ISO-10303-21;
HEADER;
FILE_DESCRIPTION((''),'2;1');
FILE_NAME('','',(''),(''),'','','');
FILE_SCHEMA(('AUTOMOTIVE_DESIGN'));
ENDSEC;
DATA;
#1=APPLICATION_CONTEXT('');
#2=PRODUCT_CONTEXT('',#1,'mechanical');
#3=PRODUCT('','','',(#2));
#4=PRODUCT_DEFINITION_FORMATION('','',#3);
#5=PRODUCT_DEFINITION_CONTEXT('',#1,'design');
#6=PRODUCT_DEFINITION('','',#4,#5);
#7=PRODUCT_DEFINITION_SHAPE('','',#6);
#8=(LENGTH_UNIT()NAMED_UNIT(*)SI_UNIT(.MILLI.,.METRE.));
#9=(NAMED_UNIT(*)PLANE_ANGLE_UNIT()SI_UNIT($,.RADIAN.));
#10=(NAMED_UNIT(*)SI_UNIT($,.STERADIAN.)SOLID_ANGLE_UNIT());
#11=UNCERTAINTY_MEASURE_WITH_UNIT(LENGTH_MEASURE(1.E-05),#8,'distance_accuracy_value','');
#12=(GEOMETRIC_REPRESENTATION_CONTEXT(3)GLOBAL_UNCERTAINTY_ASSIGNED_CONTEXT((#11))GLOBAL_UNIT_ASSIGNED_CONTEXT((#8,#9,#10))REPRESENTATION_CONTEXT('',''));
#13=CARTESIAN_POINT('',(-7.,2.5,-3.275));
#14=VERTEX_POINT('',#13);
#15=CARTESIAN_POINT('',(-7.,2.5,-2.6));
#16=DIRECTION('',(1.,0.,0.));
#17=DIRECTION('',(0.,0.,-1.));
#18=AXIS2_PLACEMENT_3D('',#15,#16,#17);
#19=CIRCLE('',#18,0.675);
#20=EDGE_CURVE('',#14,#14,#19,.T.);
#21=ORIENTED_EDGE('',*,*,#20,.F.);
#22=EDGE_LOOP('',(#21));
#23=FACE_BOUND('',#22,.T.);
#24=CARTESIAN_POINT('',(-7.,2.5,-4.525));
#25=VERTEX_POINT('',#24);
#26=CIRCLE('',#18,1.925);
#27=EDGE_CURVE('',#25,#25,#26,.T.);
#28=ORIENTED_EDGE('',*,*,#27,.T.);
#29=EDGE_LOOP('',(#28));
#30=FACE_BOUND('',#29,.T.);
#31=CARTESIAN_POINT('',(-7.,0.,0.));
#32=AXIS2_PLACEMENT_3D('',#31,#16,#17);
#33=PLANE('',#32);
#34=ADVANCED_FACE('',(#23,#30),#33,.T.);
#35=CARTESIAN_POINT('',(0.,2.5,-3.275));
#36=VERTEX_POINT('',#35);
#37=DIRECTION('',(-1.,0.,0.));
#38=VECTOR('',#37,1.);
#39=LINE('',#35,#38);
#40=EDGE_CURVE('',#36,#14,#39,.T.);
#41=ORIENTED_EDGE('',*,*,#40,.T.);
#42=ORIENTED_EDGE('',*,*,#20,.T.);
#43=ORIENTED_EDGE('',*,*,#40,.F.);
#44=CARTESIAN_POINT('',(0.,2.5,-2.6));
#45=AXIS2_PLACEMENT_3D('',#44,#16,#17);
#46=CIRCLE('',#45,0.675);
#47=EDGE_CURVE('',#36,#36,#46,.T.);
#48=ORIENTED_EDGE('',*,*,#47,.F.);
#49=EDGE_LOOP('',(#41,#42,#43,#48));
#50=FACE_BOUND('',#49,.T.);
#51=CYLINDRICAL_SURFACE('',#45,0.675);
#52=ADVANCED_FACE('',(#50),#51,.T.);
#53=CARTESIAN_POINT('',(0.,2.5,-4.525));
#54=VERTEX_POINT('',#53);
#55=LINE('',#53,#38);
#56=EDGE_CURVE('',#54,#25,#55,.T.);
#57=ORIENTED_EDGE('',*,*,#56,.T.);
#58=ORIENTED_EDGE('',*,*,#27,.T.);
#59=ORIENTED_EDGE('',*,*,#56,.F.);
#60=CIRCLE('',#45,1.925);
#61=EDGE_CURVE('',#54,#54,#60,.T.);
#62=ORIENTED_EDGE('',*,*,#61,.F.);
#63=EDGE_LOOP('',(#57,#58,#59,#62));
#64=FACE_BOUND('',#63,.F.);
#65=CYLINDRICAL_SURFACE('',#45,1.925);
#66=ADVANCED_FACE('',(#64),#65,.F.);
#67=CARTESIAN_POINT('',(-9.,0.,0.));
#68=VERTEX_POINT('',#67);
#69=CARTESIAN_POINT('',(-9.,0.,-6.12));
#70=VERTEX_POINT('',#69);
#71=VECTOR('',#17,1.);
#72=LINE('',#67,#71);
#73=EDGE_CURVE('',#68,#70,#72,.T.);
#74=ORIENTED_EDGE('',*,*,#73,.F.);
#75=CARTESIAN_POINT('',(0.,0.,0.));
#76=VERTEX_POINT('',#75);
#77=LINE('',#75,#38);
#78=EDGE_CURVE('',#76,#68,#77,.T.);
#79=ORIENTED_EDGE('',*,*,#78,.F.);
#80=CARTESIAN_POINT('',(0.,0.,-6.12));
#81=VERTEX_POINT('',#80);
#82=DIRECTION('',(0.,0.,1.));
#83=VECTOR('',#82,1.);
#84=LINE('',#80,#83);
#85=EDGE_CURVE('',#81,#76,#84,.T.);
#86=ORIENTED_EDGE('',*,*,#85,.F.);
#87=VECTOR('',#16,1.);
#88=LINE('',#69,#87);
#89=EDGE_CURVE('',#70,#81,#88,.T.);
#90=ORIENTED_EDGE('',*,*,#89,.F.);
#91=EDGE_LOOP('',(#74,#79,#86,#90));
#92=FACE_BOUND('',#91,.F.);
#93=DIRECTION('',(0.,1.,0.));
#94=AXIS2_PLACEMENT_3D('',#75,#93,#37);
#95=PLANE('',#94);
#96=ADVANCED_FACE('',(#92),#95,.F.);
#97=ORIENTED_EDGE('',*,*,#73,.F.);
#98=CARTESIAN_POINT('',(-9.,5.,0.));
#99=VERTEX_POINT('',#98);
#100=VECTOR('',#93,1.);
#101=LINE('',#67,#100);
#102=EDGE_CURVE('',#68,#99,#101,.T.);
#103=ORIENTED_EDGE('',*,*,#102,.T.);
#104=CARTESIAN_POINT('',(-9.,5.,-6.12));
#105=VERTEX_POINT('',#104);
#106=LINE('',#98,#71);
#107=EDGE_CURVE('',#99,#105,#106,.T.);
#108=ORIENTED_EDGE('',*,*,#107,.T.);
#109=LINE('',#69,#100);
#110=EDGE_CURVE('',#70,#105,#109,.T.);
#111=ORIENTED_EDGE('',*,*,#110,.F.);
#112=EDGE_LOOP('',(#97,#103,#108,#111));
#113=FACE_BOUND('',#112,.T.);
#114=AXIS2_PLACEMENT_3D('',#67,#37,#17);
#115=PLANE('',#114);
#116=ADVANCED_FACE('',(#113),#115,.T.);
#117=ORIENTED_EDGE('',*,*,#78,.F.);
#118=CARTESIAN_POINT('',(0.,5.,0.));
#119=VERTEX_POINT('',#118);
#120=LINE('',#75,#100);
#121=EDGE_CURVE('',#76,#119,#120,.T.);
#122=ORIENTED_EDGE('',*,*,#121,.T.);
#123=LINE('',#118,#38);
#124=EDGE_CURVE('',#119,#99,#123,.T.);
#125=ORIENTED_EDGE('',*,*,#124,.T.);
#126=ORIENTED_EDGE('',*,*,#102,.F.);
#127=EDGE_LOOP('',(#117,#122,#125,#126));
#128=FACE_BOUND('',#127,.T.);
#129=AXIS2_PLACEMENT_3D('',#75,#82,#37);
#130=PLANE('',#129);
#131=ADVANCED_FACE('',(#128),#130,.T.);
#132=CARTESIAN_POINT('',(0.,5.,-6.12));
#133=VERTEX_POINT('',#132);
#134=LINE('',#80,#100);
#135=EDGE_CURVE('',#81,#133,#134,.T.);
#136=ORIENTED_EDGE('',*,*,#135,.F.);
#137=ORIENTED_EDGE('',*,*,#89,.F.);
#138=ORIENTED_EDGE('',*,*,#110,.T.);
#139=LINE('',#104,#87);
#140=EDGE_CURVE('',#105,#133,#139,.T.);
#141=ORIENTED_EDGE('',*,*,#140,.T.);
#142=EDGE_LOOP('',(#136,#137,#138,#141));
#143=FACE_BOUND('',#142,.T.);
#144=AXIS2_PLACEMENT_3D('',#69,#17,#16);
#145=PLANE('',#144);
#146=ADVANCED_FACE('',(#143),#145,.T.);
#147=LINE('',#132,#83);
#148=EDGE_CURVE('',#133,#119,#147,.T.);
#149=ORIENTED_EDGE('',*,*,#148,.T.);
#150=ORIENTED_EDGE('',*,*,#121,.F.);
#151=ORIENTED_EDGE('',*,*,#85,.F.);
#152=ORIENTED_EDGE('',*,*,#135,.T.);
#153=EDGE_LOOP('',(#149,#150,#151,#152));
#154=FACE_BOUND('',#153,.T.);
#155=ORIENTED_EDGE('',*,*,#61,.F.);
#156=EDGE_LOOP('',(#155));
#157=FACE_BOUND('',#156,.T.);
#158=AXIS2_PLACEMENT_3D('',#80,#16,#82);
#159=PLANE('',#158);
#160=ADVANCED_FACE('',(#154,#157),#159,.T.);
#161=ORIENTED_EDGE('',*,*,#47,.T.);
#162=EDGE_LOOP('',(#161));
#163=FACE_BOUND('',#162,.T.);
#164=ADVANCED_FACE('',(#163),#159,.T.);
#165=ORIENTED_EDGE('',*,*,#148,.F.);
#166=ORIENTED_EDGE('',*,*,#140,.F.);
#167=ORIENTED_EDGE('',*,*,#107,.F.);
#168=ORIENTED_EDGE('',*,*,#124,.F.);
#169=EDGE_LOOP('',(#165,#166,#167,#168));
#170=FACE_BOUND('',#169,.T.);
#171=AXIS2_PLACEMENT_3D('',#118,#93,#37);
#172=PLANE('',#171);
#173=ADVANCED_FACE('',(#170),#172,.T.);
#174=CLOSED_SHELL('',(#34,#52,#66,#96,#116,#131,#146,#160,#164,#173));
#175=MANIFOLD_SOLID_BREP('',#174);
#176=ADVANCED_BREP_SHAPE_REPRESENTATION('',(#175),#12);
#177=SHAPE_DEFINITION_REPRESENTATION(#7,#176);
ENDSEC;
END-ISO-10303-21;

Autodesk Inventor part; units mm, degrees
ref_plane "YZ Plane" through (0, 0, 0) normal (1, 0, 0) x (0, 1, 0)
ref_plane "XZ Plane" through (0, 0, 0) normal (0, 1, 0) x (-1, 0, 0)
ref_plane "XY Plane" through (0, 0, 0) normal (0, 0, 1) x (1, 0, 0)
sketch "Sketch1" plane through (0, 0, 0) normal (0, 1, 0) x (-1, 0, 0)
  line L0 (0, 0) -> (9, 0)
  line L1 (9, 0) -> (9, -6.12)
  line L2 (9, -6.12) -> (0, -6.12)
  line L3 (0, -6.12) -> (0, 0)
  dimension "d0" = 6.12
  dimension "d1" = 9
extrude "Extrusion1" add sketch "Sketch1" along normal blind 5
sketch "Sketch2" plane through (0, 0, 0) normal (1, 0, 0) x (0, 0, -1)
  circle A0 centre (2.6, 2.5) radius 1.925
  circle A1 centre (2.6, 2.5) radius 0.675
  line L0 (6.12, 0) -> (0, 0) projected
  line L1 (0, 5) -> (6.12, 5) projected
  line L2 (0, 0) -> (0, 5) projected
  dimension "d4" = 3.85
  dimension "d5" = 1.35
  dimension "d6" = 5
  dimension "d7" = 2.5
  dimension "d8" = 2.6
extrude "Extrusion2" cut sketch "Sketch2" against normal blind 7
equation "\"d7\" = 0.5 * d6"
properties part number "Barrel Jack small"
